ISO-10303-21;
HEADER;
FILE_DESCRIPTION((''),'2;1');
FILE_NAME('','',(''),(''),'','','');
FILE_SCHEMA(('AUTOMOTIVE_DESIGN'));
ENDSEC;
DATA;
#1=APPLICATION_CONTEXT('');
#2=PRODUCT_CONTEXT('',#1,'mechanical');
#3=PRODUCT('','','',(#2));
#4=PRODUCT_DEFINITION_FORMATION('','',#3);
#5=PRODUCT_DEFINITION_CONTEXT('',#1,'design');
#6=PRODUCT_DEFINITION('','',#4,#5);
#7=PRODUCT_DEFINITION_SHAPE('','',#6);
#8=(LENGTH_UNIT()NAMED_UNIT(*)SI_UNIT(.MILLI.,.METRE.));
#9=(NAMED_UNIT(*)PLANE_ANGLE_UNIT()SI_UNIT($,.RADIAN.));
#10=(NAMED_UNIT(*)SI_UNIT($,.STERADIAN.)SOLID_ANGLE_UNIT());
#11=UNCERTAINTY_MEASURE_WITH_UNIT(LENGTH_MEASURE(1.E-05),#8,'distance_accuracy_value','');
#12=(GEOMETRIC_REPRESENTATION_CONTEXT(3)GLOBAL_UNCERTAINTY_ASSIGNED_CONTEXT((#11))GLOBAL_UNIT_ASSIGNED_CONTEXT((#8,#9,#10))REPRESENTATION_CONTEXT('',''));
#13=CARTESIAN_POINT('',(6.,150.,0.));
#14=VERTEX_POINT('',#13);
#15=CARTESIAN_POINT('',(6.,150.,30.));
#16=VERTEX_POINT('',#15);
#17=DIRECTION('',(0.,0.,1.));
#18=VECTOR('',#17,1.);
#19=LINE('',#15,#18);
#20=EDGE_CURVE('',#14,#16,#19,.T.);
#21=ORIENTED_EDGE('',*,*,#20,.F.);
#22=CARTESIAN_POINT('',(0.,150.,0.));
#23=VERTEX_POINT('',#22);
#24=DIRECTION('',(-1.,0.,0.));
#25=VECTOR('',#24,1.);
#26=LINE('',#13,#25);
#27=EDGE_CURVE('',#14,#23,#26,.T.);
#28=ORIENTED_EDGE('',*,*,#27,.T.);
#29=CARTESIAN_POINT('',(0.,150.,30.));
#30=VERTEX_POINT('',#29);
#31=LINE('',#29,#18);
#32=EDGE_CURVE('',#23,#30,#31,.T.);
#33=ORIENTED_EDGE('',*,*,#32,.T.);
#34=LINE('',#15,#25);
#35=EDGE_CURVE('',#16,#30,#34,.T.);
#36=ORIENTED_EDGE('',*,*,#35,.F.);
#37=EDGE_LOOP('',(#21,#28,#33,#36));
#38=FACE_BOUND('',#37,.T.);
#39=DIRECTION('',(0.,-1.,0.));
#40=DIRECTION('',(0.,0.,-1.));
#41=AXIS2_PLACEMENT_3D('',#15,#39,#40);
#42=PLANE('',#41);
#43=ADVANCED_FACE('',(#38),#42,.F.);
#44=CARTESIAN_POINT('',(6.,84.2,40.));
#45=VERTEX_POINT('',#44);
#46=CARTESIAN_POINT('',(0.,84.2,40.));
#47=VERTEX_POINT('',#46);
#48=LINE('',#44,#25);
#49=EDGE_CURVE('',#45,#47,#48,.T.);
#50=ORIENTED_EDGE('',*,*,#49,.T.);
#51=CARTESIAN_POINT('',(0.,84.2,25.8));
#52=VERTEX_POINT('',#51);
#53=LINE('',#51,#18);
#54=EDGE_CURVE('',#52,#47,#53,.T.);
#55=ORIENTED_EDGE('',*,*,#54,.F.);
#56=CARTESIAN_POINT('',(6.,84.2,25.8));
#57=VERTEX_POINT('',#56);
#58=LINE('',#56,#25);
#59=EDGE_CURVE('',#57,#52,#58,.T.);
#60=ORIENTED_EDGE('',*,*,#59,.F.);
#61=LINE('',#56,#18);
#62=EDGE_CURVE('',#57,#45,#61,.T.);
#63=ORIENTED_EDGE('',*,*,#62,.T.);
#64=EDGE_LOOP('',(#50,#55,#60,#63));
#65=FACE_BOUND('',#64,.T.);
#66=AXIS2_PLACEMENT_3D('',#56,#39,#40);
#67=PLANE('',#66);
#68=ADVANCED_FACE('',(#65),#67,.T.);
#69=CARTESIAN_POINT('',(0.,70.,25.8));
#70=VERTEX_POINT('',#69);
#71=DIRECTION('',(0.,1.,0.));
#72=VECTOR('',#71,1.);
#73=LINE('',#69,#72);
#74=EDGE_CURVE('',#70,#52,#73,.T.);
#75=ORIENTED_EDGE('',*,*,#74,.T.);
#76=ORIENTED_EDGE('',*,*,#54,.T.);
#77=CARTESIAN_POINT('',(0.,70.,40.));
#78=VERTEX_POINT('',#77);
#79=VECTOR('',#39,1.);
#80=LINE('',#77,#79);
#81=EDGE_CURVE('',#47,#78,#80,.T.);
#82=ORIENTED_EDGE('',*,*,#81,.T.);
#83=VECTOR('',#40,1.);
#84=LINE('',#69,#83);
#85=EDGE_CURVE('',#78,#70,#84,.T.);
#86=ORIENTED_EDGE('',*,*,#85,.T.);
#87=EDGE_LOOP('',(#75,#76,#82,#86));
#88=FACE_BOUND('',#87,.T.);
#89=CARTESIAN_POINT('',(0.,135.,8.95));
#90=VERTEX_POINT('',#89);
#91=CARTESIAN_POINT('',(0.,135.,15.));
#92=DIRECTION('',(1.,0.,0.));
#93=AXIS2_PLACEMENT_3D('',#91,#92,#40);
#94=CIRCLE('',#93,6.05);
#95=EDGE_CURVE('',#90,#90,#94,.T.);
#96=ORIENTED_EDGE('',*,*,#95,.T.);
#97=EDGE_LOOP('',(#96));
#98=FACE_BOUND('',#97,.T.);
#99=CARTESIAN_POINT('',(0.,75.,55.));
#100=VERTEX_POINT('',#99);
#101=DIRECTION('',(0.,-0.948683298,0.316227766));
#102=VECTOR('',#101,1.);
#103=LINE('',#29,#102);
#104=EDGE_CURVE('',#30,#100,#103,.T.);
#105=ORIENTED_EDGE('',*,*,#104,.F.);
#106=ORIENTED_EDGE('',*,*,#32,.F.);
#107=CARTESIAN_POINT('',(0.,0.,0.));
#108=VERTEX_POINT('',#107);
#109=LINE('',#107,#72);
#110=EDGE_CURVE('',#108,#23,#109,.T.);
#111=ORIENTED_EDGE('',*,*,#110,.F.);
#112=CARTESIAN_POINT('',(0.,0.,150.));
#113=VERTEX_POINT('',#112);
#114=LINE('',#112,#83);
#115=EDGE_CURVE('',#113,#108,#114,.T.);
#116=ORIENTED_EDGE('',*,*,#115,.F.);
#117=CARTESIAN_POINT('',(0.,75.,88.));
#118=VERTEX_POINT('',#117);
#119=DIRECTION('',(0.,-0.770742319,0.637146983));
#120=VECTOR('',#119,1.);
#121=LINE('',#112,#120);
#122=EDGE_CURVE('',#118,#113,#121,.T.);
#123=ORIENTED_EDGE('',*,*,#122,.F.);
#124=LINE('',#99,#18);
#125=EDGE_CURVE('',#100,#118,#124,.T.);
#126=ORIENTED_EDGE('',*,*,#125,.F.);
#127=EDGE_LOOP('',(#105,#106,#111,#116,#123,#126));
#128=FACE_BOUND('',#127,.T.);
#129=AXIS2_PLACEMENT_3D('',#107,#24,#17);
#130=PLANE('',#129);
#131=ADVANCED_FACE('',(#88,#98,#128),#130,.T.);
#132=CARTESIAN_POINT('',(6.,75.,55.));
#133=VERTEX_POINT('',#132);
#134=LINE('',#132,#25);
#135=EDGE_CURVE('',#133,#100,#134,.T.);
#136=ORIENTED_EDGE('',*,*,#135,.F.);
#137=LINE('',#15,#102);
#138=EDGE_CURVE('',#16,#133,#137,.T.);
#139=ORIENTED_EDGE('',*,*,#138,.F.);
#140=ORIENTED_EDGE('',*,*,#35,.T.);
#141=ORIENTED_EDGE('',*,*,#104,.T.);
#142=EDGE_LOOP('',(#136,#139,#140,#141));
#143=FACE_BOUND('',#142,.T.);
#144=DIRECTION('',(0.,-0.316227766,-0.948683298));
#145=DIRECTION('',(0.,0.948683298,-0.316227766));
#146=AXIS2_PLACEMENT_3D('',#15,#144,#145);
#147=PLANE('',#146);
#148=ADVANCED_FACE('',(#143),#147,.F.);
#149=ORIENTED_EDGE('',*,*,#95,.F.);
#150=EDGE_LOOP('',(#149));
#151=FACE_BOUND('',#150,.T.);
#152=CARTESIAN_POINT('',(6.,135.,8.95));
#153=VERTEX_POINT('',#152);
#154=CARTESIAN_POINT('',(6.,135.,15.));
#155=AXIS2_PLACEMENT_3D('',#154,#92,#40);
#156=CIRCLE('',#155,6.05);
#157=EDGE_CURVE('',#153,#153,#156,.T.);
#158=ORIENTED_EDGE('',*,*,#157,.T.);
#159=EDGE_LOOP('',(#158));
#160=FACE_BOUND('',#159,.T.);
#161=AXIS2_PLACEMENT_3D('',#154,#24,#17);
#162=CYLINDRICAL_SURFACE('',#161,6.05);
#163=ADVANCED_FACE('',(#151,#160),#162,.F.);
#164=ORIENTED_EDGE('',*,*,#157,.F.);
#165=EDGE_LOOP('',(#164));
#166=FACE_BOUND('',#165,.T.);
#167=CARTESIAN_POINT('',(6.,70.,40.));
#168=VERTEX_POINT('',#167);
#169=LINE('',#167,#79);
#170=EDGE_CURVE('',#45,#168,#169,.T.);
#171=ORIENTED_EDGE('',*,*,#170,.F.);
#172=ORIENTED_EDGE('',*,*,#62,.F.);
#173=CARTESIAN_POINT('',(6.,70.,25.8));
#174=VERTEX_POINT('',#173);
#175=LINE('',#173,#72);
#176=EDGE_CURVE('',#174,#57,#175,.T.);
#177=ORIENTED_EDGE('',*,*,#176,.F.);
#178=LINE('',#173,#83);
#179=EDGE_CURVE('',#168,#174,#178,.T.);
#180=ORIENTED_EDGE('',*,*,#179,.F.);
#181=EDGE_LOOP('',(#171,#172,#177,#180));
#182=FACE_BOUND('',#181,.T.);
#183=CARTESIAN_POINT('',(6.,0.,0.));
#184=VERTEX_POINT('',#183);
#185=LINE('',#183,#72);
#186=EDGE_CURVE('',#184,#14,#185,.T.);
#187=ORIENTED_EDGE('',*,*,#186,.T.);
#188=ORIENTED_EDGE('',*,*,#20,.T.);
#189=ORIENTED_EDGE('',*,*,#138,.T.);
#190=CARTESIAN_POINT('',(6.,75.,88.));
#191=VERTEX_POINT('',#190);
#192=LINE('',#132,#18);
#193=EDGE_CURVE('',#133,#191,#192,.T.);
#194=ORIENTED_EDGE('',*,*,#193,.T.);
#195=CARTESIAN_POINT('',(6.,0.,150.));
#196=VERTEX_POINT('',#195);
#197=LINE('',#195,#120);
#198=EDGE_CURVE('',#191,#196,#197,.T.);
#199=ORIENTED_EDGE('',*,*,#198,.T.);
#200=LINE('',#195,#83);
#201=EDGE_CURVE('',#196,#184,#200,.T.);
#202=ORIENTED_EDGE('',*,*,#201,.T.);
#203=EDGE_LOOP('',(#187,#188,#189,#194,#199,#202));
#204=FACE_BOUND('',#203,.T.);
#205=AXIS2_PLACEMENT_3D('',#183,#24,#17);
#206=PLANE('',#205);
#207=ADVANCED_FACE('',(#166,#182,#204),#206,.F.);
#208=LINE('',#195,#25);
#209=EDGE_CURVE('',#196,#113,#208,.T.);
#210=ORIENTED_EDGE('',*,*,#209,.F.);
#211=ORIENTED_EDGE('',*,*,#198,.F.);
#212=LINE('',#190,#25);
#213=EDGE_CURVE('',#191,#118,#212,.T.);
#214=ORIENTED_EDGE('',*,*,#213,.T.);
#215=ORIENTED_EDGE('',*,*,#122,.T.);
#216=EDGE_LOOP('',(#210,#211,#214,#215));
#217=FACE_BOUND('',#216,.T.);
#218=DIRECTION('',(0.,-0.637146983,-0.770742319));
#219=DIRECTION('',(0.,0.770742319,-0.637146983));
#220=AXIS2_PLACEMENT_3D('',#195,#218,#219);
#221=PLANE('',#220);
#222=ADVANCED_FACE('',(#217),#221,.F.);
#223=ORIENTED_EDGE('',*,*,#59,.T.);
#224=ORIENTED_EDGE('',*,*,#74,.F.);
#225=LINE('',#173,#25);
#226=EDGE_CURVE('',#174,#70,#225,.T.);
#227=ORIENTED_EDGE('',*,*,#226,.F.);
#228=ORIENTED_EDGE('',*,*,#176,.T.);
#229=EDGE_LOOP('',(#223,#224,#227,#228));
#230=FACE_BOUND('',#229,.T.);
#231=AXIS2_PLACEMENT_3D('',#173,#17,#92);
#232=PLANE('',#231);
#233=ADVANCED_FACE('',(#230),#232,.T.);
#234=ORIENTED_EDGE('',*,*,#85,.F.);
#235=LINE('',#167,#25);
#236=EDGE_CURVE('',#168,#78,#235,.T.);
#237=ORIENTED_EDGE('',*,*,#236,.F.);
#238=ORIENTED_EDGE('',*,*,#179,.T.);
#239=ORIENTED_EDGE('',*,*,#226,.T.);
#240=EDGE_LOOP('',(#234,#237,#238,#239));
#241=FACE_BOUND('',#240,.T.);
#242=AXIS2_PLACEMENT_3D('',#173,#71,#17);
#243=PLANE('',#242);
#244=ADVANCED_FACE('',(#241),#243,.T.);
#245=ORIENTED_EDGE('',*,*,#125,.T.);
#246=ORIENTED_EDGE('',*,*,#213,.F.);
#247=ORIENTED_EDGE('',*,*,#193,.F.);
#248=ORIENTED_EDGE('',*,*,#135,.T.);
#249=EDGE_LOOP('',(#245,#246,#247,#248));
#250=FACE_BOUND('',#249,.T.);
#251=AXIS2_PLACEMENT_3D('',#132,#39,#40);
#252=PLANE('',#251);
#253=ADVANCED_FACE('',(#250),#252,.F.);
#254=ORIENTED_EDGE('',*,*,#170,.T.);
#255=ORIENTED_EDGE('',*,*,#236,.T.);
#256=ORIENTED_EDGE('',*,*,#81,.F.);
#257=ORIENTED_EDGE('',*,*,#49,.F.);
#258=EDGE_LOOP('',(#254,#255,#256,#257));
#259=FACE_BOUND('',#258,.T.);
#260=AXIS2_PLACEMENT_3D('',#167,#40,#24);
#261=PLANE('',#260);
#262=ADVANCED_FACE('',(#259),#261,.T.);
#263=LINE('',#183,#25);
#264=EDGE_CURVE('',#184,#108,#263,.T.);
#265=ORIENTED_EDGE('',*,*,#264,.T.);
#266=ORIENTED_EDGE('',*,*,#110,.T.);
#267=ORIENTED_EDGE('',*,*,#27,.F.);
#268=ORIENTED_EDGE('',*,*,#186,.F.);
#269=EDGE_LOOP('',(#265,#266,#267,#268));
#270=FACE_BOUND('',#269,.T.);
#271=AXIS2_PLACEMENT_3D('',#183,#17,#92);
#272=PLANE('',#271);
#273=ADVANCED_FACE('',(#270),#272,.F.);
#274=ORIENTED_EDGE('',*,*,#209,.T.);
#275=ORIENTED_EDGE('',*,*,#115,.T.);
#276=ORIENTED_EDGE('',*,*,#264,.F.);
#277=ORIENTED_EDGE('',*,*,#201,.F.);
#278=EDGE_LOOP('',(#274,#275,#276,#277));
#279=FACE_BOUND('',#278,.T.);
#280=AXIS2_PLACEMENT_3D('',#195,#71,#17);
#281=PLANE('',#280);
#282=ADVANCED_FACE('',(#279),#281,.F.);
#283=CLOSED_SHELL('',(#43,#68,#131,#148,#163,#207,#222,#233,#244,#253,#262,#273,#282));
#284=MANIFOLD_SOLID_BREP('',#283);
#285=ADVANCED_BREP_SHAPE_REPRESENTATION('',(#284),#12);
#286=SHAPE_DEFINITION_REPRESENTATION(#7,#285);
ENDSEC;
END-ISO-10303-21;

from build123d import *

# Parameters (mm, degrees)
SKETCH1_R           = 6.05
SKETCH1_W           = 14.2
SKETCH1_H           = 14.2
BOSS_EXTRUDE1_DEPTH = 6


with BuildPart() as part:
    # Sketch1 → Boss-Extrude1 (new body)
    with BuildSketch(Plane(origin=(0, 0, 0), x_dir=(0, 0, -1), z_dir=(1, 0, 0))):
        Polygon((-150, 0), (-88, 75), (-55, 75), (-30, 150), (0, 150), (0, 0), align=None)
        with Locations((-15, 135)):
            Circle(SKETCH1_R, mode=Mode.SUBTRACT)
        with Locations((-32.9, 77.1)):
            Rectangle(SKETCH1_W, SKETCH1_H, mode=Mode.SUBTRACT)
    extrude(amount=BOSS_EXTRUDE1_DEPTH)


solid = part.part
